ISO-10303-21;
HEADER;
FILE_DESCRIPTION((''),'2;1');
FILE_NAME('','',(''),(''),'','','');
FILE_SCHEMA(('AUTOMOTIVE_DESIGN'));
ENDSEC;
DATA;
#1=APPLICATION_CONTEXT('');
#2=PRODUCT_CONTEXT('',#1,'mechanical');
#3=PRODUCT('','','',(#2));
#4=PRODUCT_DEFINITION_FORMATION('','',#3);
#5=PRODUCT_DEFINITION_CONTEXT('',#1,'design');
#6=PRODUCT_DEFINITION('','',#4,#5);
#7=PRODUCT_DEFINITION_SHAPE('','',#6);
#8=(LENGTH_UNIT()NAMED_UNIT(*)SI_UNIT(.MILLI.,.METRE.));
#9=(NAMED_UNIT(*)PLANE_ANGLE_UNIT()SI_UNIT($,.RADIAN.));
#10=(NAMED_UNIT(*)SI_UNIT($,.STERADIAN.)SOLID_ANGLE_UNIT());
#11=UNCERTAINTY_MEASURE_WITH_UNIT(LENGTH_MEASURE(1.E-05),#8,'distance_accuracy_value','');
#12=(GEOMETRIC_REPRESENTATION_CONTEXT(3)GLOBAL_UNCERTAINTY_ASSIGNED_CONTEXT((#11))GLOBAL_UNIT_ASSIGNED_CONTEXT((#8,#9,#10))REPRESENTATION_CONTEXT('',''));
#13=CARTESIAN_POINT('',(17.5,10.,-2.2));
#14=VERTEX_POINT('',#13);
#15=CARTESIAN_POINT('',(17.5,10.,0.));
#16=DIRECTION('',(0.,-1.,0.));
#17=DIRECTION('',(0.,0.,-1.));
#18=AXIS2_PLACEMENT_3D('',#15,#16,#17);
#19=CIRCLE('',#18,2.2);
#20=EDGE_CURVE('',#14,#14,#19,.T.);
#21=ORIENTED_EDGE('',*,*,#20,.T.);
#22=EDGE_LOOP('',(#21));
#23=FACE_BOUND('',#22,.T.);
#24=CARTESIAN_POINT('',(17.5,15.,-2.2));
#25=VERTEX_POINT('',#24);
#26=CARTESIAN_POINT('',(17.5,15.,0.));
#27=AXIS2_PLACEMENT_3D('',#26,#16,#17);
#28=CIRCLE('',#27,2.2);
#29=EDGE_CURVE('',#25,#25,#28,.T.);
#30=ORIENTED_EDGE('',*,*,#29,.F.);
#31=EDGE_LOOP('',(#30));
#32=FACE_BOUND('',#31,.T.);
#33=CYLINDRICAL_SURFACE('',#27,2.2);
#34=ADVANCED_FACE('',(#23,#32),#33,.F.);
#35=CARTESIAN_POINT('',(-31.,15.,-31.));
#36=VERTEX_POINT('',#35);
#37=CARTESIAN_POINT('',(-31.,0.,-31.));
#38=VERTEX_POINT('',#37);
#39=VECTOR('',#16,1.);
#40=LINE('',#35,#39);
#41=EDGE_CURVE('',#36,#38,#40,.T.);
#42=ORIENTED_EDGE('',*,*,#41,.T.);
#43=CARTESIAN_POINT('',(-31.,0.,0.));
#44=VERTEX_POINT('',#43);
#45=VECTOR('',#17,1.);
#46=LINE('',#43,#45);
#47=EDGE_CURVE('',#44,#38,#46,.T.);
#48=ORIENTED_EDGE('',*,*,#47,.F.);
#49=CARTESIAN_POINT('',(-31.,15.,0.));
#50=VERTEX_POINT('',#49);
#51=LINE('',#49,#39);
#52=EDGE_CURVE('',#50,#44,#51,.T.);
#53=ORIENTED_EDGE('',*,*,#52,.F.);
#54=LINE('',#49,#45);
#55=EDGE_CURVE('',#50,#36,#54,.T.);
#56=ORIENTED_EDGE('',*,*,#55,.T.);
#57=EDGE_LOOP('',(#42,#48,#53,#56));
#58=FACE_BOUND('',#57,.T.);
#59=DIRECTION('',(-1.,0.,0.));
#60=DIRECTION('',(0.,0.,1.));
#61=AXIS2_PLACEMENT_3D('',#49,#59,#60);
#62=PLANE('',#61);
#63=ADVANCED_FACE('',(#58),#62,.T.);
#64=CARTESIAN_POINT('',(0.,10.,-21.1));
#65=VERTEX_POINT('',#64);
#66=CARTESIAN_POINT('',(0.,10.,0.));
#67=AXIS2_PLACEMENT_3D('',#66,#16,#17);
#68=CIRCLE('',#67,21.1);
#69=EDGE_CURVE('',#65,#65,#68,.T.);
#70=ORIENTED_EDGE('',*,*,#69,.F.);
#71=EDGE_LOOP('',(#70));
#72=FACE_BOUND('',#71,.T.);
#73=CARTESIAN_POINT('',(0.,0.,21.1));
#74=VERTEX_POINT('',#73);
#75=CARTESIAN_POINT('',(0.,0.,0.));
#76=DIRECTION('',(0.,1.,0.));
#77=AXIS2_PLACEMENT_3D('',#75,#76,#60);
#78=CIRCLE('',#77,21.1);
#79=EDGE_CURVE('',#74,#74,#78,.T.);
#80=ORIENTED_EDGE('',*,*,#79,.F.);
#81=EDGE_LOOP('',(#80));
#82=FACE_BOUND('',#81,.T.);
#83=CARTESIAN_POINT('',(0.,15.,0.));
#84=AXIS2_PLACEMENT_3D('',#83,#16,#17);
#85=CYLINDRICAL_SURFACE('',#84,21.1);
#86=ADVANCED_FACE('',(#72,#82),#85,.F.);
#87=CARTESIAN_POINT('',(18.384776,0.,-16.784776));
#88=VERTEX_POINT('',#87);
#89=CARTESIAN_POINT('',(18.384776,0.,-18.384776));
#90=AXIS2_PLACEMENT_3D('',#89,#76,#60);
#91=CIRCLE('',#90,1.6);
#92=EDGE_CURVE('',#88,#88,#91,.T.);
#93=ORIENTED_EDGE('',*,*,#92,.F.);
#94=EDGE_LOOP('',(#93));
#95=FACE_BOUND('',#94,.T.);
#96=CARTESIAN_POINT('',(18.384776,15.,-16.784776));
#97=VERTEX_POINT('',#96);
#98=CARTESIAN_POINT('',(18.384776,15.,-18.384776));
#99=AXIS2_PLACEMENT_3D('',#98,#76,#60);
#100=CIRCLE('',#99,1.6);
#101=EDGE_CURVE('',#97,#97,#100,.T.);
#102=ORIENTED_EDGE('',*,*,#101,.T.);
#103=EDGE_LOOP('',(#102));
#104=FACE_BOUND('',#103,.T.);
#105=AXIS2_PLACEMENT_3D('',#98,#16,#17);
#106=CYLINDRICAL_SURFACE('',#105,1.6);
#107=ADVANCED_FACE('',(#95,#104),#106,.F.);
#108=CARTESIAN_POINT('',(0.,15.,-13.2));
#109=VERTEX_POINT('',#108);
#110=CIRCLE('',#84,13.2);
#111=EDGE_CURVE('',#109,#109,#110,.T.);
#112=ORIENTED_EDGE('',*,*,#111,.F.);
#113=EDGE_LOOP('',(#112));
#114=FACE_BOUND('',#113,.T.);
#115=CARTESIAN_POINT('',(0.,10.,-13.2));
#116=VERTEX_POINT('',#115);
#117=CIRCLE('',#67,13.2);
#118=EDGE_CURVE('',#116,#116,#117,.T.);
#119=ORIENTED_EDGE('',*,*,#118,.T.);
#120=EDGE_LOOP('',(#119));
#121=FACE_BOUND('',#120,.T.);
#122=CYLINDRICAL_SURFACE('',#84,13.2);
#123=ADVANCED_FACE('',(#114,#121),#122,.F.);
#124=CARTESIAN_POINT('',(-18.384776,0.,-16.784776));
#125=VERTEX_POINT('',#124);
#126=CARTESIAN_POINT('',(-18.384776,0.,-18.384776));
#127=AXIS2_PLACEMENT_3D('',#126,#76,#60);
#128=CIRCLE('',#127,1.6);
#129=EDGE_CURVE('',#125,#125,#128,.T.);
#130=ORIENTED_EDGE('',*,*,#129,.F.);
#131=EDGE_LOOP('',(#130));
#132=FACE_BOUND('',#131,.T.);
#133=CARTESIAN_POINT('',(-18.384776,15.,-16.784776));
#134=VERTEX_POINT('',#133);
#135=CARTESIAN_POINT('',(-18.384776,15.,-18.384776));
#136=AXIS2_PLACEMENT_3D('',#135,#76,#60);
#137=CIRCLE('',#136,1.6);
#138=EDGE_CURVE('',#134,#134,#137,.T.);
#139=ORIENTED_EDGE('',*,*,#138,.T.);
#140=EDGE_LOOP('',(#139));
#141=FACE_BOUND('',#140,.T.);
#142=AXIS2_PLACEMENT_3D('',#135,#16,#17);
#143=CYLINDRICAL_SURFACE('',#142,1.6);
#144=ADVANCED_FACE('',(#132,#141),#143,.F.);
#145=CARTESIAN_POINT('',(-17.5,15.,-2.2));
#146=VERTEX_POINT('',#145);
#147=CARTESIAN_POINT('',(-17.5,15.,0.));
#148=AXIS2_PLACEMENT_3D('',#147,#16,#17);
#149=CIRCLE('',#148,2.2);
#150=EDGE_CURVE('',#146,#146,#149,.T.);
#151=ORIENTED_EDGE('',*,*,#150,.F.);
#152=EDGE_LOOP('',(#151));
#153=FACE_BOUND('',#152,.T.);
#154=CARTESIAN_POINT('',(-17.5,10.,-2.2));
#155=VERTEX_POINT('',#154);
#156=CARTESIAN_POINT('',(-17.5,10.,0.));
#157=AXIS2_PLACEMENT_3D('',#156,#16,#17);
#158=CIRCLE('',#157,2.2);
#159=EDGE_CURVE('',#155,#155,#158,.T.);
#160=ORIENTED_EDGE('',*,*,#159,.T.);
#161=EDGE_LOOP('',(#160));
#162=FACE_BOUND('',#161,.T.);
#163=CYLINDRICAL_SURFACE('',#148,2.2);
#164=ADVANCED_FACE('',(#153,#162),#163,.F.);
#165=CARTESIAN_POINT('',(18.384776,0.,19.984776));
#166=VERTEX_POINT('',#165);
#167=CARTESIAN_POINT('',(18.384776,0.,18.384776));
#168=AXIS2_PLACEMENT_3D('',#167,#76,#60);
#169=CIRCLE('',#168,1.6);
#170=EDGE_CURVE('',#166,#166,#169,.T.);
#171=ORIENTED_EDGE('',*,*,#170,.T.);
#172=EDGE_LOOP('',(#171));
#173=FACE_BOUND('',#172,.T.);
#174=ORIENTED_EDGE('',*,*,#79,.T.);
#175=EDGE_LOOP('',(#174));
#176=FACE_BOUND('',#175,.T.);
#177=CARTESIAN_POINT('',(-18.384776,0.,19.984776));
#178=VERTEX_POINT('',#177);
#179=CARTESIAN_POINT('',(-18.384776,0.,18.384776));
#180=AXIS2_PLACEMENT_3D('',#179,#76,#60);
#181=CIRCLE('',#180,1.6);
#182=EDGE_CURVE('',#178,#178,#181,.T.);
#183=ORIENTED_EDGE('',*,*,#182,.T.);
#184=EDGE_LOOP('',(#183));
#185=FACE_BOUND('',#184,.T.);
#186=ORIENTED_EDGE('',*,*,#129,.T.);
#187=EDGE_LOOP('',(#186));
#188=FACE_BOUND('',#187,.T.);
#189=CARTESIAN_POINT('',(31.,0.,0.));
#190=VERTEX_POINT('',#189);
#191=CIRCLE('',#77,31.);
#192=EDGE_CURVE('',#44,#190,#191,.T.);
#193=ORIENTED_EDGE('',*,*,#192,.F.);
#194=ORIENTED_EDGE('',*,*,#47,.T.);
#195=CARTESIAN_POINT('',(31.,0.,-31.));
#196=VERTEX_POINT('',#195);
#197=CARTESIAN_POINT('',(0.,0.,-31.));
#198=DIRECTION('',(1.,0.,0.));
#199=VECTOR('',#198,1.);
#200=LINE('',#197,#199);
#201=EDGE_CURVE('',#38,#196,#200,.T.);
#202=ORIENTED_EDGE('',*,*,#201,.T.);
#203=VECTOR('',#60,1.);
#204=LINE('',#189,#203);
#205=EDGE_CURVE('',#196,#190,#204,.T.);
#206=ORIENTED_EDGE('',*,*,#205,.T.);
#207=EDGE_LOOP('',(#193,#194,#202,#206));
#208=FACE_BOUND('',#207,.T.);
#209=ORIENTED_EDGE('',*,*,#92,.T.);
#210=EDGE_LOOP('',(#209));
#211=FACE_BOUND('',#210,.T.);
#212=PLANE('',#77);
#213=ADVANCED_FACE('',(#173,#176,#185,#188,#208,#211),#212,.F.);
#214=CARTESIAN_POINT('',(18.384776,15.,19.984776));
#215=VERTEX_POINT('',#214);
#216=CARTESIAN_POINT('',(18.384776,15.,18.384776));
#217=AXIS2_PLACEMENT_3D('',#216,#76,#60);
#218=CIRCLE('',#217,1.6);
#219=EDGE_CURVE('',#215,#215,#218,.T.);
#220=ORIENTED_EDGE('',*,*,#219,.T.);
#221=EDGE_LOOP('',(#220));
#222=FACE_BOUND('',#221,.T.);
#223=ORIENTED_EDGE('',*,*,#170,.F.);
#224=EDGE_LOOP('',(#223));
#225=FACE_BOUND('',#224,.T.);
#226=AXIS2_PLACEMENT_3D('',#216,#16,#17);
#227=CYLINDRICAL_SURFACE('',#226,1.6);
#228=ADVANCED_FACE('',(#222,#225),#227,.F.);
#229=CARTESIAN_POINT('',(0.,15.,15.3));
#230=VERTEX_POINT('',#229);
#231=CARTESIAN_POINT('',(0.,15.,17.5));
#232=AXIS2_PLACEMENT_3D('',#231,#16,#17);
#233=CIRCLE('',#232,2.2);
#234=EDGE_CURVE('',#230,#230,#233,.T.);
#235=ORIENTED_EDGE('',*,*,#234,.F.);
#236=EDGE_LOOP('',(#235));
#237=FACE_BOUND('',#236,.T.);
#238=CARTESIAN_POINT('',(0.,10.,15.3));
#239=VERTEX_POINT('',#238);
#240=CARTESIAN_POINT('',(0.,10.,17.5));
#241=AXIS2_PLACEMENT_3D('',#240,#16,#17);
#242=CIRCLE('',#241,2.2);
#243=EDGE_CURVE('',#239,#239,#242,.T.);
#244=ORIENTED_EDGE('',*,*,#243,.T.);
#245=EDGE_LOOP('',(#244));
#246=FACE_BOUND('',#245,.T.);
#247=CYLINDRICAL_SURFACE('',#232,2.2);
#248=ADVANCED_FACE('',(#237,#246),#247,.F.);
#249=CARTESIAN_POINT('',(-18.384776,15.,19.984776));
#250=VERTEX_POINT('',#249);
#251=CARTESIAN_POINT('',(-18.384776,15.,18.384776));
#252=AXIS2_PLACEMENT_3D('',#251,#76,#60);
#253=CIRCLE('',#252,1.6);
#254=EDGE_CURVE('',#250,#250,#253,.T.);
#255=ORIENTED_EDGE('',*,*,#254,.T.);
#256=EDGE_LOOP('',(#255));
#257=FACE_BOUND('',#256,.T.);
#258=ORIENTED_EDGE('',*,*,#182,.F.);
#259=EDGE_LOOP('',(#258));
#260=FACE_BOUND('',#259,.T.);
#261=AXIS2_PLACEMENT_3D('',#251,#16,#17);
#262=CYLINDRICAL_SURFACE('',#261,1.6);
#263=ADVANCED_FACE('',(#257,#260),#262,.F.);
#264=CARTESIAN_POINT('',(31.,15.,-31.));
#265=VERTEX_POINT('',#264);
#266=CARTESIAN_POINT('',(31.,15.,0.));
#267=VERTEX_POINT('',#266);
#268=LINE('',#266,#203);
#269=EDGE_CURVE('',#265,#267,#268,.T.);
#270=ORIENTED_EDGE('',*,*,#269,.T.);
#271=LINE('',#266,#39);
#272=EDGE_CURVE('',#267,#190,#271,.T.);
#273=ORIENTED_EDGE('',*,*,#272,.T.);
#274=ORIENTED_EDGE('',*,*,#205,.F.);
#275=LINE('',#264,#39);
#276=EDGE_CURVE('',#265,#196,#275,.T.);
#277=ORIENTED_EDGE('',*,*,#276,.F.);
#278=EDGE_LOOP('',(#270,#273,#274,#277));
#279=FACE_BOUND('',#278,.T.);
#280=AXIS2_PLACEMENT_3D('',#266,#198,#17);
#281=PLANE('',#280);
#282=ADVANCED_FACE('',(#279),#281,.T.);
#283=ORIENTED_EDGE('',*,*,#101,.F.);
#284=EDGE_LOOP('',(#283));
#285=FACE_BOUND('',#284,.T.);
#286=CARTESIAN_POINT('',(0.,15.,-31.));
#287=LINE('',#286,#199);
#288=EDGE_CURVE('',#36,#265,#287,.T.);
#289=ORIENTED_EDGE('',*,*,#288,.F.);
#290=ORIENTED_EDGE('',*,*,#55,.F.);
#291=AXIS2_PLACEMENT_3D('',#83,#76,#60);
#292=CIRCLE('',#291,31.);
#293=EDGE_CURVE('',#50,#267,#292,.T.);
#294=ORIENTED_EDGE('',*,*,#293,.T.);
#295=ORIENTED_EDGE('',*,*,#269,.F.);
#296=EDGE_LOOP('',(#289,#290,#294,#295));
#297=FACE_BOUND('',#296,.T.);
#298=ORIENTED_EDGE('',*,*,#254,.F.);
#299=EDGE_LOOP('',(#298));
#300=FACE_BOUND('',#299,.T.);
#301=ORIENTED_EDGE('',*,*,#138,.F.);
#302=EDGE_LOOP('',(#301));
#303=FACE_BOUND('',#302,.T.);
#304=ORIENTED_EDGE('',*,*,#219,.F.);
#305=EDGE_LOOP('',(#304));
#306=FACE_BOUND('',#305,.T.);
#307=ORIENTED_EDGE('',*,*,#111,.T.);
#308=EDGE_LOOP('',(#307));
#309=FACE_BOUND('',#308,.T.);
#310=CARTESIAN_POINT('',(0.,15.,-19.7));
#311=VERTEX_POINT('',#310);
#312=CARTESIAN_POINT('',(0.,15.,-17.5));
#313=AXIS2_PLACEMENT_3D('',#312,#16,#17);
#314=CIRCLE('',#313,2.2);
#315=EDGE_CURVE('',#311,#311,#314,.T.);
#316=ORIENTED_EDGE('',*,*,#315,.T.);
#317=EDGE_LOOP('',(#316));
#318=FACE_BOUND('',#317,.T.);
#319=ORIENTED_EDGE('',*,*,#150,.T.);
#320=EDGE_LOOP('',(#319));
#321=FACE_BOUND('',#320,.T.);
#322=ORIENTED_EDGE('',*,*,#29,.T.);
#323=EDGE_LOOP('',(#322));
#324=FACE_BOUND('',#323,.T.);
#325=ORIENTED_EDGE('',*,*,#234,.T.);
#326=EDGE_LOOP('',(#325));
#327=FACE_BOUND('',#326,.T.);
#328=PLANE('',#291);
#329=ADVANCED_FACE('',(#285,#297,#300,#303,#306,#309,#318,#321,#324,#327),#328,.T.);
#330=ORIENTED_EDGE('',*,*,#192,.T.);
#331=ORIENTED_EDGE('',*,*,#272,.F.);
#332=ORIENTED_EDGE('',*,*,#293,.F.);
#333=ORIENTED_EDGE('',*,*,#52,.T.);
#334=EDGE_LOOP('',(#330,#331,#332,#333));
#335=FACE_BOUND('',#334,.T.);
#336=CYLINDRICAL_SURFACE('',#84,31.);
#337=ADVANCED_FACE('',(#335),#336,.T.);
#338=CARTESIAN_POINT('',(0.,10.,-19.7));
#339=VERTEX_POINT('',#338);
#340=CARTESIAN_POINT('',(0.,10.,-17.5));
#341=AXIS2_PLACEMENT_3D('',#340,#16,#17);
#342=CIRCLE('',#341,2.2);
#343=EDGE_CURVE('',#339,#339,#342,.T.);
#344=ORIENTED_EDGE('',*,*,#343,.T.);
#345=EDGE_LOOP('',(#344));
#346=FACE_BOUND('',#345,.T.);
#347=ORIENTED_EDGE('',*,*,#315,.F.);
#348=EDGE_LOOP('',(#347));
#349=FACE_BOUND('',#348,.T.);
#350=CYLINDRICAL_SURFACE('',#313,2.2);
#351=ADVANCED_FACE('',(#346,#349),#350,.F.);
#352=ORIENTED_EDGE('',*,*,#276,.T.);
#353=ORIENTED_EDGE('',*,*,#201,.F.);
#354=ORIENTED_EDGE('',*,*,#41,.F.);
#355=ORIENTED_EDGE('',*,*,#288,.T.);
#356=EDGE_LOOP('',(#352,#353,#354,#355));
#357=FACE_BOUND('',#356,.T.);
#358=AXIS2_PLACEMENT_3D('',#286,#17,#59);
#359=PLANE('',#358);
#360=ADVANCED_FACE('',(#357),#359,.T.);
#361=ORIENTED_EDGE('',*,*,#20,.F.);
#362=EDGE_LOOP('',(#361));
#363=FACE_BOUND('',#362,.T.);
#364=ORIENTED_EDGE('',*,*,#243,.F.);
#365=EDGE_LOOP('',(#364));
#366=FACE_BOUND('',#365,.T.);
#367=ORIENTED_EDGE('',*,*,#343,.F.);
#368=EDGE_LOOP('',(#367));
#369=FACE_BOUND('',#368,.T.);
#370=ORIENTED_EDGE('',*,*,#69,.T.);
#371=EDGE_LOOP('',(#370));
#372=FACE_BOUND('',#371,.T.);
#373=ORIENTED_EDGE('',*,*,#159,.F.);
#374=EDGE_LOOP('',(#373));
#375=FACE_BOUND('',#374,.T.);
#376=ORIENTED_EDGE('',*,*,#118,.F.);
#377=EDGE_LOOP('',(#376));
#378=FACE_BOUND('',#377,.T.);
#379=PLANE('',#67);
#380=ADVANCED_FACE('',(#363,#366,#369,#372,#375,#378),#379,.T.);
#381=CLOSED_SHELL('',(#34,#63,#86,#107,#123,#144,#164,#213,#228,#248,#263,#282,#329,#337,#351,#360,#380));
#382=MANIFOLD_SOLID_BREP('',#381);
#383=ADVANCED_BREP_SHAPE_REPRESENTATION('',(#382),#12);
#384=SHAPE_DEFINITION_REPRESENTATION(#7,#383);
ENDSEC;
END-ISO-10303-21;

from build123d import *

# Parameters (mm, degrees)
SKETCH_1_R      = 31
SKETCH_1_R_2    = 1.6
SKETCH_1_R_3    = 21.1
EXTRUDE_1_DEPTH = 15
EXTRUDE_START   = -10
SKETCH_2_R      = 21.1
SKETCH_2_R_2    = 13.2
SKETCH_2_R_3    = 2.2
EXTRUDE_2_DEPTH = 5


with BuildPart() as part:
    # 草图1 → 凸台-拉伸1 (new body)
    # profile 1 of 3: a face of its own
    with BuildSketch(Plane(origin=(0, 0, 0), x_dir=(1, 0, 0), z_dir=(0, 1, 0))):
        Circle(SKETCH_1_R)
        with Locations(Location((-18.384776311, 18.384776311, 0), (0, 0, 270))):
            Circle(SKETCH_1_R_2, mode=Mode.SUBTRACT)
        with Locations(Location((-18.384776311, -18.384776311, 0), (0, 0, 270))):
            Circle(SKETCH_1_R_2, mode=Mode.SUBTRACT)
        with Locations(Location((18.384776311, -18.384776311, 0), (0, 0, 270))):
            Circle(SKETCH_1_R_2, mode=Mode.SUBTRACT)
        with Locations(Location((18.384776311, 18.384776311, 0), (0, 0, 270))):
            Circle(SKETCH_1_R_2, mode=Mode.SUBTRACT)
        with Locations(Location((0, 0, 0), (0, 0, 270))):
            Circle(SKETCH_1_R_3, mode=Mode.SUBTRACT)
    # profile 2 of 3: a face of its own
    with BuildSketch(Plane(origin=(0, 0, 0), x_dir=(1, 0, 0), z_dir=(0, 1, 0))):
        with BuildLine():
            Line((-31, 31), (-31, 0))
            ThreePointArc((-31, 0), (-21.920310218, 21.920310215), (-4e-09, 31))
            Line((-4e-09, 31), (-31, 31))
        make_face()
    # profile 3 of 3: a face of its own
    with BuildSketch(Plane(origin=(0, 0, 0), x_dir=(1, 0, 0), z_dir=(0, 1, 0))):
        with BuildLine():
            ThreePointArc((-4e-09, 31), (21.920310215, 21.920310218), (31, 0))
            Line((31, 0), (31, 31))
            Line((31, 31), (-4e-09, 31))
        make_face()
    extrude(amount=EXTRUDE_1_DEPTH)

    # 草图2 → 凸台-拉伸2 (add)
    with BuildSketch(Plane.XZ.offset(EXTRUDE_START)):
        with Locations(Location((0, 0, 0), (0, 0, 270))):
            Circle(SKETCH_2_R)
        with Locations(Location((0, 0, 0), (0, 0, 270))):
            Circle(SKETCH_2_R_2, mode=Mode.SUBTRACT)
        with Locations(Location((0, 17.5, 0), (0, 0, 270))):
            Circle(SKETCH_2_R_3, mode=Mode.SUBTRACT)
        with Locations(Location((17.5, 0, 0), (0, 0, 270))):
            Circle(SKETCH_2_R_3, mode=Mode.SUBTRACT)
        with Locations(Location((0, -17.5, 0), (0, 0, 270))):
            Circle(SKETCH_2_R_3, mode=Mode.SUBTRACT)
        with Locations(Location((-17.5, 0, 0), (0, 0, 270))):
            Circle(SKETCH_2_R_3, mode=Mode.SUBTRACT)
    extrude(amount=-EXTRUDE_2_DEPTH)


solid = part.part
